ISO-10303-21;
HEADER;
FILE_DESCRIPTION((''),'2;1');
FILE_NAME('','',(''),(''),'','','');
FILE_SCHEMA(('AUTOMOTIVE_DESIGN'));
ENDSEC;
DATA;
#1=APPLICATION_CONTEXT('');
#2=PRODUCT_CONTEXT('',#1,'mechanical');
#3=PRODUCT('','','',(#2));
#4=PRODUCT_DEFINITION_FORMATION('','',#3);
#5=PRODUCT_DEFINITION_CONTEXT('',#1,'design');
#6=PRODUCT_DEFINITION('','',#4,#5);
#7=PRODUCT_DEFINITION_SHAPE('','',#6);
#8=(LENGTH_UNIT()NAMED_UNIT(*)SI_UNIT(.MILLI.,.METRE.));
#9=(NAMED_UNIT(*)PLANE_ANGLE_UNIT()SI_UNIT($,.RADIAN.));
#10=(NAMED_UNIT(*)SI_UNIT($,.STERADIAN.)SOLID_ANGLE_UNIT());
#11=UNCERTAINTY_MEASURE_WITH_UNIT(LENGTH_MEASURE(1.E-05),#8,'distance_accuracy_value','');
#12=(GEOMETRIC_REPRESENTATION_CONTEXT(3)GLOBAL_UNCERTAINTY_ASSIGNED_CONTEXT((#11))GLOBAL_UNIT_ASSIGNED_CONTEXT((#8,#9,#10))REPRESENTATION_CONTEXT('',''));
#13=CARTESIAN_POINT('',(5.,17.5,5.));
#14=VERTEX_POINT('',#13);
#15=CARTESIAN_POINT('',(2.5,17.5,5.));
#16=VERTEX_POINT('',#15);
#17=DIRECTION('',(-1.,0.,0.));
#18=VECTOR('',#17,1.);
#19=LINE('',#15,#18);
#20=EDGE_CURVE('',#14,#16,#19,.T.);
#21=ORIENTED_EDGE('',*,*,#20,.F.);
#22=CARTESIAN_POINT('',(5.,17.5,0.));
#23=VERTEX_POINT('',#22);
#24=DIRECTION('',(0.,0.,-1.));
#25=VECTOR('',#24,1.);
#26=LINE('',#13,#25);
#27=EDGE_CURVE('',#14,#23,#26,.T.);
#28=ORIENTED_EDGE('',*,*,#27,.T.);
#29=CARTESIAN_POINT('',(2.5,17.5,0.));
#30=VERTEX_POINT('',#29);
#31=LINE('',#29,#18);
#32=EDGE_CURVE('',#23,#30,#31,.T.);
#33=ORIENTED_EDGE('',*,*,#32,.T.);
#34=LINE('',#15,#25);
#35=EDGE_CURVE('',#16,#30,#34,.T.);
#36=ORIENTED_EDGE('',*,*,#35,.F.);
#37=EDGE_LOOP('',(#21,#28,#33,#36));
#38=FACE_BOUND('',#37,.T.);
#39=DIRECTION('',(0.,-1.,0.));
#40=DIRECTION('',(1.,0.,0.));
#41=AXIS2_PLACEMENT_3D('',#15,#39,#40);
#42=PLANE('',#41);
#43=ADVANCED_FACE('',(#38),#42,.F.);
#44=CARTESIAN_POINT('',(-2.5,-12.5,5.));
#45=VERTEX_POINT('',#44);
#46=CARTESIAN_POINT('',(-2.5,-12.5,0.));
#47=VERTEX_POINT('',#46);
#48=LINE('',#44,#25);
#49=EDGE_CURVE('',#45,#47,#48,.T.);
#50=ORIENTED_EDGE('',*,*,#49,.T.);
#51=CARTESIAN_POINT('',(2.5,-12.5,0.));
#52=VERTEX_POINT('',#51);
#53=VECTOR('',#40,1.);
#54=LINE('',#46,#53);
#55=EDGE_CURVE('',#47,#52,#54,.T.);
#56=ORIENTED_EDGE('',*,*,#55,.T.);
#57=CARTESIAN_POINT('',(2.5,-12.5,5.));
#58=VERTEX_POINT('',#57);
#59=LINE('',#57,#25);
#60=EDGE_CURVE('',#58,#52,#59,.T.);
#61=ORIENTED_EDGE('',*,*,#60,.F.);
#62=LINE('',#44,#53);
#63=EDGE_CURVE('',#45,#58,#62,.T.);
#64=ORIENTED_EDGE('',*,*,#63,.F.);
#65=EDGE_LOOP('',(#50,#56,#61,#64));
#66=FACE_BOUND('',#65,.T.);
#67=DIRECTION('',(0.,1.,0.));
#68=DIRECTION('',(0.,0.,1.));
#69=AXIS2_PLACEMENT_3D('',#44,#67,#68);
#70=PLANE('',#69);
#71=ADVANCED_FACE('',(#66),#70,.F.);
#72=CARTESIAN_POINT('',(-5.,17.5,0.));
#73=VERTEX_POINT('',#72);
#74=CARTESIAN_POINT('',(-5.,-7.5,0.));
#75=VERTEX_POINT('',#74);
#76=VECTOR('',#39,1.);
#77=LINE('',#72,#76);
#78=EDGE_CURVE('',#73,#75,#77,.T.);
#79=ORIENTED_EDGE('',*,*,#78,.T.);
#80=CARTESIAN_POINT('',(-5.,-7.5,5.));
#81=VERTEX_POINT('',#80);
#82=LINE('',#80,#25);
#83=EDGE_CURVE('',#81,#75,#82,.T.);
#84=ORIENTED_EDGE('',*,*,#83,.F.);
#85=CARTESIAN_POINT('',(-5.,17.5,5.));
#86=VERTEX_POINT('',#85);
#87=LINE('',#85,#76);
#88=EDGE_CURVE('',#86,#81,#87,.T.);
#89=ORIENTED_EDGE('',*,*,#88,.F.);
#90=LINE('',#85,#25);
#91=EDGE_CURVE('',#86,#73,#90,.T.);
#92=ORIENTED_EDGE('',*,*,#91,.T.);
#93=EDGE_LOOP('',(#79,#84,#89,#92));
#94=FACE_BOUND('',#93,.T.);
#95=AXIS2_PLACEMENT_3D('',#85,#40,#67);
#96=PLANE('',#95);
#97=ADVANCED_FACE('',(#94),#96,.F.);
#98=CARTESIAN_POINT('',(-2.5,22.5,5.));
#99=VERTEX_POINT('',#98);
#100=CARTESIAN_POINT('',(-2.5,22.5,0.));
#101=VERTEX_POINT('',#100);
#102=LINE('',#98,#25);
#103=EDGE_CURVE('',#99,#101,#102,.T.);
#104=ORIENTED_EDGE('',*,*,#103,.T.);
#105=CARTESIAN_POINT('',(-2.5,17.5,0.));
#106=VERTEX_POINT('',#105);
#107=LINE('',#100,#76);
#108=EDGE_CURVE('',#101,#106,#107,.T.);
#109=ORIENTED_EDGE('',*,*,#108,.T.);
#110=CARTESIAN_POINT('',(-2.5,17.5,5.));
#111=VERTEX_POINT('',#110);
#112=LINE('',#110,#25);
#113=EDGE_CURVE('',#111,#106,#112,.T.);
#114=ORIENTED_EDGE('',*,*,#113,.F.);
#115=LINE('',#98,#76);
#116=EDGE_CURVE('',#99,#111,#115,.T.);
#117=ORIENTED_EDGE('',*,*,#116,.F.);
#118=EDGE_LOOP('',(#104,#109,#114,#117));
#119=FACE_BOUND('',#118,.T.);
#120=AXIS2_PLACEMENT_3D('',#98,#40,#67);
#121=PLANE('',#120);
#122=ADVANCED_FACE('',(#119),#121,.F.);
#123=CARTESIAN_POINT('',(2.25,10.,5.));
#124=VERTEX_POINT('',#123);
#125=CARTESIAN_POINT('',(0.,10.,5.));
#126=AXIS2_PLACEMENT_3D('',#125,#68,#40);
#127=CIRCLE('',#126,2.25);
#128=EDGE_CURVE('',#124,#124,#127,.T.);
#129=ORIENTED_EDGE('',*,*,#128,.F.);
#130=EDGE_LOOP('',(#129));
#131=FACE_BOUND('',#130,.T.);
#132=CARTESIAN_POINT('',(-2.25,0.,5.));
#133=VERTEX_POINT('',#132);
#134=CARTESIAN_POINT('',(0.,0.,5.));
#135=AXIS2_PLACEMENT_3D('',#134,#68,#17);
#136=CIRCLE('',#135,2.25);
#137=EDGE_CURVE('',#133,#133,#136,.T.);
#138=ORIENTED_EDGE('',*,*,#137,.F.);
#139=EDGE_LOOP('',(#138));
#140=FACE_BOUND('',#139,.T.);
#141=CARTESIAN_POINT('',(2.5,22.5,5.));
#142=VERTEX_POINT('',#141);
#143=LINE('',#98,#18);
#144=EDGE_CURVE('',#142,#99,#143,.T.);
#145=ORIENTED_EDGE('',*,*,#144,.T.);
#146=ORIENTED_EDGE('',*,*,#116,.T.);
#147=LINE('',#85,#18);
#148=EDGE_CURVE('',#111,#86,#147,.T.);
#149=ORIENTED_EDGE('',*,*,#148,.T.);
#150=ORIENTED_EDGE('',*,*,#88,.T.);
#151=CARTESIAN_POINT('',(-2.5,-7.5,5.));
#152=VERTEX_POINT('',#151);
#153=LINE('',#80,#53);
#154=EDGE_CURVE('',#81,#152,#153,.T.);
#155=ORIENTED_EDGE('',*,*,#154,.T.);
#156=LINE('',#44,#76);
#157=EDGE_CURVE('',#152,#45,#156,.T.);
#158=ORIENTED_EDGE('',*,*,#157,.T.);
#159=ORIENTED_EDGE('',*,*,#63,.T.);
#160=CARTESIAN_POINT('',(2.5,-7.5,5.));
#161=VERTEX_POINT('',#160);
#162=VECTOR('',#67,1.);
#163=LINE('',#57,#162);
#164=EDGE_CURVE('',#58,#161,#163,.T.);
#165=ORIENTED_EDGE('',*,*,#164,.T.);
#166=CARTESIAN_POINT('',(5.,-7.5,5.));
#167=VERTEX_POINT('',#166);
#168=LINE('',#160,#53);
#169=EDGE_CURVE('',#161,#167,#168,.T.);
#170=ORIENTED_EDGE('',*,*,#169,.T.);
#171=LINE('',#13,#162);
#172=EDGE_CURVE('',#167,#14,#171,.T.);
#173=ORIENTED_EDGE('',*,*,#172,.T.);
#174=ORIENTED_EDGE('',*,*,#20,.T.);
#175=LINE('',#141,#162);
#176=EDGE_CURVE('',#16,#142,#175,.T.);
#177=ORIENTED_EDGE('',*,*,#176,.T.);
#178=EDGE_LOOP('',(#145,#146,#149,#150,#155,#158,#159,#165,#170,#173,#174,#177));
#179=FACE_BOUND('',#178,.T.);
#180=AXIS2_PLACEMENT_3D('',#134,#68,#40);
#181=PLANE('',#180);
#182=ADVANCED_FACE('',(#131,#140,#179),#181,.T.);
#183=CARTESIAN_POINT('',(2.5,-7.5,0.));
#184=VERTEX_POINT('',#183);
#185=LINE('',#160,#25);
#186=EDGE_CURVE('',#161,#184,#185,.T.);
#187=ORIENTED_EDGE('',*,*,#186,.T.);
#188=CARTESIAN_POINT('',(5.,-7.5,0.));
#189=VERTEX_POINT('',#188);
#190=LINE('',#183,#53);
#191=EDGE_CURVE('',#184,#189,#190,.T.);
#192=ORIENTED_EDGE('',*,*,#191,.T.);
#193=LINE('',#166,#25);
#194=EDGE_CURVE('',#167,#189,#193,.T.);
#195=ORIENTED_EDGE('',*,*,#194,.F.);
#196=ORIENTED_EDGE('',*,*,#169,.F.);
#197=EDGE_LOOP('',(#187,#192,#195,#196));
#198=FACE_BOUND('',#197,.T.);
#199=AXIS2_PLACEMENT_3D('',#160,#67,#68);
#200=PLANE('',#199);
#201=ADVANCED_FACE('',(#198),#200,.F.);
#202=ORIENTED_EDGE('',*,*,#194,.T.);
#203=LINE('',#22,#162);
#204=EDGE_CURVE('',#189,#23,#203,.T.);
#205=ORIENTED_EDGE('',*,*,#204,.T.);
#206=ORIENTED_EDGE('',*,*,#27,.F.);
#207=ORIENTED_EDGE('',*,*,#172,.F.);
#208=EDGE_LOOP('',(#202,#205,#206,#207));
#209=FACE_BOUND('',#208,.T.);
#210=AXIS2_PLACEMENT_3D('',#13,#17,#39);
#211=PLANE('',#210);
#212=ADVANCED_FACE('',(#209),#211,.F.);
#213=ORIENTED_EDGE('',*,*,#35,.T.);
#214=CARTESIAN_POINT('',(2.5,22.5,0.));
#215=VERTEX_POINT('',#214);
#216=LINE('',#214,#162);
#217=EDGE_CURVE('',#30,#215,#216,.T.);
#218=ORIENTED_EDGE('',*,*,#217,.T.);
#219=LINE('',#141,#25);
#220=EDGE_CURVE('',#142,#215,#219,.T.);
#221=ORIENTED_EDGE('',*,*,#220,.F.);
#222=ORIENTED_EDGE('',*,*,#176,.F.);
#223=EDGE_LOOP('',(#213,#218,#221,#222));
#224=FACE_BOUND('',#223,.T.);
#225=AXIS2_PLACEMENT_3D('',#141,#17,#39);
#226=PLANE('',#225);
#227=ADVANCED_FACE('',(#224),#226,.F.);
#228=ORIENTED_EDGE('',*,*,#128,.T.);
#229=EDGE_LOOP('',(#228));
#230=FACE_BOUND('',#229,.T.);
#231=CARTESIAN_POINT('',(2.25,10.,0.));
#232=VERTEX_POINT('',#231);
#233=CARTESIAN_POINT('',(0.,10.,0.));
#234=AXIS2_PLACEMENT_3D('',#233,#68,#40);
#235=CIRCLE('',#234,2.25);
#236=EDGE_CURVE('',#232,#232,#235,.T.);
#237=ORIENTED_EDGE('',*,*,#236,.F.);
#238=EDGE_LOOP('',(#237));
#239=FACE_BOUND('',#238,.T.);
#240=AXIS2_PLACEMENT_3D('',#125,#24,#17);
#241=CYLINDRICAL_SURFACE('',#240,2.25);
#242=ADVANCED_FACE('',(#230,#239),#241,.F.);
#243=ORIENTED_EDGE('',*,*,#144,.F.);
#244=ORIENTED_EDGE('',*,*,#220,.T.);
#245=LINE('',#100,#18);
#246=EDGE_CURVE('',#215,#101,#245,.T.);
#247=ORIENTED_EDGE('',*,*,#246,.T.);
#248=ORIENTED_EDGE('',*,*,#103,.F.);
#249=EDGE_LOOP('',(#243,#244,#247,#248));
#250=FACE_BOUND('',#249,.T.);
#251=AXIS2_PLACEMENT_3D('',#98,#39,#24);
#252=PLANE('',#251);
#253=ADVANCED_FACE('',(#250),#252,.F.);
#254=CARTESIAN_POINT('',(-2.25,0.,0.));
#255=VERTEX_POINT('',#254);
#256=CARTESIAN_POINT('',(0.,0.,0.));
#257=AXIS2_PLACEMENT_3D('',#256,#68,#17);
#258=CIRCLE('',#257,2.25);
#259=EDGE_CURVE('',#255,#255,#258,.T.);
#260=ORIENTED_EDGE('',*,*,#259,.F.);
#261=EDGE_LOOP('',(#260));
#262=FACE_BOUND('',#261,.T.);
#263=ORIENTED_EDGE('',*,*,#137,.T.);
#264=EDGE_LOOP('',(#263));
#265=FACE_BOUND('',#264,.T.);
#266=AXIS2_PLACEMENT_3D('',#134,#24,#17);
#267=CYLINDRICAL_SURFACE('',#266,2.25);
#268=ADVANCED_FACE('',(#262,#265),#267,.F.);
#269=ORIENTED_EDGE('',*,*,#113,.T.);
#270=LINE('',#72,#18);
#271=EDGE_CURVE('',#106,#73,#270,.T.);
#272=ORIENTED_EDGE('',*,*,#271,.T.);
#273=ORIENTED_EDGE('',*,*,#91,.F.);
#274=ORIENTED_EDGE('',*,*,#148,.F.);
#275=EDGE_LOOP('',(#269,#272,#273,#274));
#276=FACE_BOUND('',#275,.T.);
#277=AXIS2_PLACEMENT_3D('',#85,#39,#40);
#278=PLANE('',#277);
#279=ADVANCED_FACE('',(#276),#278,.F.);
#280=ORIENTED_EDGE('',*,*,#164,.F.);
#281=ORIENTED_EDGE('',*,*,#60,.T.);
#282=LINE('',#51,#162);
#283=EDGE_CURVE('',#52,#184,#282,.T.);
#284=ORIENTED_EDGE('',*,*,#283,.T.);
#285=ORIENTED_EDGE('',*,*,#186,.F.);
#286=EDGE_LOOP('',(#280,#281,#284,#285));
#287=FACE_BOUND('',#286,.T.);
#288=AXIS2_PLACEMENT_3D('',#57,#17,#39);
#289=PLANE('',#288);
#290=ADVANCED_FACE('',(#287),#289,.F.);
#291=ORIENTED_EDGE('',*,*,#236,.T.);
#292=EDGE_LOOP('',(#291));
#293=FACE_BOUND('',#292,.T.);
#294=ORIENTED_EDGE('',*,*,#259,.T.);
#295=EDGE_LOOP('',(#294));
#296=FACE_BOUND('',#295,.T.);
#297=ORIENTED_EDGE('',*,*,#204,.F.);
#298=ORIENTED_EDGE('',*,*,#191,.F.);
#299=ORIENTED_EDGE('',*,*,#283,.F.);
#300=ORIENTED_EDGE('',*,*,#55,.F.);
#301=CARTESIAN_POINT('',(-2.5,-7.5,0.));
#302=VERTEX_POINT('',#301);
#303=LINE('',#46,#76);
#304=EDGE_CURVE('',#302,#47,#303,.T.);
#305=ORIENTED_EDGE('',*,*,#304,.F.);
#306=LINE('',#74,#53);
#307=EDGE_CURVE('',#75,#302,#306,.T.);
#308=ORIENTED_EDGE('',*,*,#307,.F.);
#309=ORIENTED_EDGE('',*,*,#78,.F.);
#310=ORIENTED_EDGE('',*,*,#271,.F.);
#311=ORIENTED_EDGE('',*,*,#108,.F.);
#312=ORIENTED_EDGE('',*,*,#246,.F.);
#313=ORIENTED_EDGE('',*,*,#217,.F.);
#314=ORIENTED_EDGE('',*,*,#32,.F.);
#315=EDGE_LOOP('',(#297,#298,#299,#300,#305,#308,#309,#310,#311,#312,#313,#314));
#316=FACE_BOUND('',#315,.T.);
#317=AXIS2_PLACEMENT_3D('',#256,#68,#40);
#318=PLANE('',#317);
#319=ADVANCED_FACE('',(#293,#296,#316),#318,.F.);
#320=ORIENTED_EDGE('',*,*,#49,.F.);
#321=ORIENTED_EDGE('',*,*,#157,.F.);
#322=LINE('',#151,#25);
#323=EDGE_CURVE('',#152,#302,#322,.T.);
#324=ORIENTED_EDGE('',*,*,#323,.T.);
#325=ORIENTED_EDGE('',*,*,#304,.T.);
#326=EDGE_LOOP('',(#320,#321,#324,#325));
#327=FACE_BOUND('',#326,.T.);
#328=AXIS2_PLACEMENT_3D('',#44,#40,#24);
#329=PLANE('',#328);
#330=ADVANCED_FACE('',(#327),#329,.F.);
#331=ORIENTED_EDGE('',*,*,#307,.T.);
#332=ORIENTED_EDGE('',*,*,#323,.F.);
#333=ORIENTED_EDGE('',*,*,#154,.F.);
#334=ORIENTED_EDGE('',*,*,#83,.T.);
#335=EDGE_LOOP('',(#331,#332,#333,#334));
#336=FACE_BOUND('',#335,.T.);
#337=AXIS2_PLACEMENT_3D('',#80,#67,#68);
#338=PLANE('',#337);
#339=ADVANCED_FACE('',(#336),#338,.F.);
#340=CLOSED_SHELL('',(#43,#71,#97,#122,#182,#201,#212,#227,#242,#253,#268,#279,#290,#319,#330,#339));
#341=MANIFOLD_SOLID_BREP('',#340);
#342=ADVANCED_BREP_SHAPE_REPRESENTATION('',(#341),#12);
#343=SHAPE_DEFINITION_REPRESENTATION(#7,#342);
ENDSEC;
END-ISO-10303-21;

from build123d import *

# Parameters (mm, degrees)
SKETCH1_R           = 2.25
BOSS_EXTRUDE1_DEPTH = 5


with BuildPart() as part:
    # Sketch1 → Boss-Extrude1 (new body)
    with BuildSketch(Plane.XY):
        Polygon((2.5, -7.5), (5, -7.5), (5, 17.5), (2.5, 17.5), (2.5, 22.5), (-2.5, 22.5), (-2.5, 17.5), (-5, 17.5), (-5, -7.5), (-2.5, -7.5), (-2.5, -12.5), (2.5, -12.5), align=None)
        with Locations((0, 10)):
            Circle(SKETCH1_R, mode=Mode.SUBTRACT)
        with Locations(Location((0, 0, 0), (0, 0, 180))):
            Circle(SKETCH1_R, mode=Mode.SUBTRACT)
    extrude(amount=BOSS_EXTRUDE1_DEPTH)


solid = part.part
